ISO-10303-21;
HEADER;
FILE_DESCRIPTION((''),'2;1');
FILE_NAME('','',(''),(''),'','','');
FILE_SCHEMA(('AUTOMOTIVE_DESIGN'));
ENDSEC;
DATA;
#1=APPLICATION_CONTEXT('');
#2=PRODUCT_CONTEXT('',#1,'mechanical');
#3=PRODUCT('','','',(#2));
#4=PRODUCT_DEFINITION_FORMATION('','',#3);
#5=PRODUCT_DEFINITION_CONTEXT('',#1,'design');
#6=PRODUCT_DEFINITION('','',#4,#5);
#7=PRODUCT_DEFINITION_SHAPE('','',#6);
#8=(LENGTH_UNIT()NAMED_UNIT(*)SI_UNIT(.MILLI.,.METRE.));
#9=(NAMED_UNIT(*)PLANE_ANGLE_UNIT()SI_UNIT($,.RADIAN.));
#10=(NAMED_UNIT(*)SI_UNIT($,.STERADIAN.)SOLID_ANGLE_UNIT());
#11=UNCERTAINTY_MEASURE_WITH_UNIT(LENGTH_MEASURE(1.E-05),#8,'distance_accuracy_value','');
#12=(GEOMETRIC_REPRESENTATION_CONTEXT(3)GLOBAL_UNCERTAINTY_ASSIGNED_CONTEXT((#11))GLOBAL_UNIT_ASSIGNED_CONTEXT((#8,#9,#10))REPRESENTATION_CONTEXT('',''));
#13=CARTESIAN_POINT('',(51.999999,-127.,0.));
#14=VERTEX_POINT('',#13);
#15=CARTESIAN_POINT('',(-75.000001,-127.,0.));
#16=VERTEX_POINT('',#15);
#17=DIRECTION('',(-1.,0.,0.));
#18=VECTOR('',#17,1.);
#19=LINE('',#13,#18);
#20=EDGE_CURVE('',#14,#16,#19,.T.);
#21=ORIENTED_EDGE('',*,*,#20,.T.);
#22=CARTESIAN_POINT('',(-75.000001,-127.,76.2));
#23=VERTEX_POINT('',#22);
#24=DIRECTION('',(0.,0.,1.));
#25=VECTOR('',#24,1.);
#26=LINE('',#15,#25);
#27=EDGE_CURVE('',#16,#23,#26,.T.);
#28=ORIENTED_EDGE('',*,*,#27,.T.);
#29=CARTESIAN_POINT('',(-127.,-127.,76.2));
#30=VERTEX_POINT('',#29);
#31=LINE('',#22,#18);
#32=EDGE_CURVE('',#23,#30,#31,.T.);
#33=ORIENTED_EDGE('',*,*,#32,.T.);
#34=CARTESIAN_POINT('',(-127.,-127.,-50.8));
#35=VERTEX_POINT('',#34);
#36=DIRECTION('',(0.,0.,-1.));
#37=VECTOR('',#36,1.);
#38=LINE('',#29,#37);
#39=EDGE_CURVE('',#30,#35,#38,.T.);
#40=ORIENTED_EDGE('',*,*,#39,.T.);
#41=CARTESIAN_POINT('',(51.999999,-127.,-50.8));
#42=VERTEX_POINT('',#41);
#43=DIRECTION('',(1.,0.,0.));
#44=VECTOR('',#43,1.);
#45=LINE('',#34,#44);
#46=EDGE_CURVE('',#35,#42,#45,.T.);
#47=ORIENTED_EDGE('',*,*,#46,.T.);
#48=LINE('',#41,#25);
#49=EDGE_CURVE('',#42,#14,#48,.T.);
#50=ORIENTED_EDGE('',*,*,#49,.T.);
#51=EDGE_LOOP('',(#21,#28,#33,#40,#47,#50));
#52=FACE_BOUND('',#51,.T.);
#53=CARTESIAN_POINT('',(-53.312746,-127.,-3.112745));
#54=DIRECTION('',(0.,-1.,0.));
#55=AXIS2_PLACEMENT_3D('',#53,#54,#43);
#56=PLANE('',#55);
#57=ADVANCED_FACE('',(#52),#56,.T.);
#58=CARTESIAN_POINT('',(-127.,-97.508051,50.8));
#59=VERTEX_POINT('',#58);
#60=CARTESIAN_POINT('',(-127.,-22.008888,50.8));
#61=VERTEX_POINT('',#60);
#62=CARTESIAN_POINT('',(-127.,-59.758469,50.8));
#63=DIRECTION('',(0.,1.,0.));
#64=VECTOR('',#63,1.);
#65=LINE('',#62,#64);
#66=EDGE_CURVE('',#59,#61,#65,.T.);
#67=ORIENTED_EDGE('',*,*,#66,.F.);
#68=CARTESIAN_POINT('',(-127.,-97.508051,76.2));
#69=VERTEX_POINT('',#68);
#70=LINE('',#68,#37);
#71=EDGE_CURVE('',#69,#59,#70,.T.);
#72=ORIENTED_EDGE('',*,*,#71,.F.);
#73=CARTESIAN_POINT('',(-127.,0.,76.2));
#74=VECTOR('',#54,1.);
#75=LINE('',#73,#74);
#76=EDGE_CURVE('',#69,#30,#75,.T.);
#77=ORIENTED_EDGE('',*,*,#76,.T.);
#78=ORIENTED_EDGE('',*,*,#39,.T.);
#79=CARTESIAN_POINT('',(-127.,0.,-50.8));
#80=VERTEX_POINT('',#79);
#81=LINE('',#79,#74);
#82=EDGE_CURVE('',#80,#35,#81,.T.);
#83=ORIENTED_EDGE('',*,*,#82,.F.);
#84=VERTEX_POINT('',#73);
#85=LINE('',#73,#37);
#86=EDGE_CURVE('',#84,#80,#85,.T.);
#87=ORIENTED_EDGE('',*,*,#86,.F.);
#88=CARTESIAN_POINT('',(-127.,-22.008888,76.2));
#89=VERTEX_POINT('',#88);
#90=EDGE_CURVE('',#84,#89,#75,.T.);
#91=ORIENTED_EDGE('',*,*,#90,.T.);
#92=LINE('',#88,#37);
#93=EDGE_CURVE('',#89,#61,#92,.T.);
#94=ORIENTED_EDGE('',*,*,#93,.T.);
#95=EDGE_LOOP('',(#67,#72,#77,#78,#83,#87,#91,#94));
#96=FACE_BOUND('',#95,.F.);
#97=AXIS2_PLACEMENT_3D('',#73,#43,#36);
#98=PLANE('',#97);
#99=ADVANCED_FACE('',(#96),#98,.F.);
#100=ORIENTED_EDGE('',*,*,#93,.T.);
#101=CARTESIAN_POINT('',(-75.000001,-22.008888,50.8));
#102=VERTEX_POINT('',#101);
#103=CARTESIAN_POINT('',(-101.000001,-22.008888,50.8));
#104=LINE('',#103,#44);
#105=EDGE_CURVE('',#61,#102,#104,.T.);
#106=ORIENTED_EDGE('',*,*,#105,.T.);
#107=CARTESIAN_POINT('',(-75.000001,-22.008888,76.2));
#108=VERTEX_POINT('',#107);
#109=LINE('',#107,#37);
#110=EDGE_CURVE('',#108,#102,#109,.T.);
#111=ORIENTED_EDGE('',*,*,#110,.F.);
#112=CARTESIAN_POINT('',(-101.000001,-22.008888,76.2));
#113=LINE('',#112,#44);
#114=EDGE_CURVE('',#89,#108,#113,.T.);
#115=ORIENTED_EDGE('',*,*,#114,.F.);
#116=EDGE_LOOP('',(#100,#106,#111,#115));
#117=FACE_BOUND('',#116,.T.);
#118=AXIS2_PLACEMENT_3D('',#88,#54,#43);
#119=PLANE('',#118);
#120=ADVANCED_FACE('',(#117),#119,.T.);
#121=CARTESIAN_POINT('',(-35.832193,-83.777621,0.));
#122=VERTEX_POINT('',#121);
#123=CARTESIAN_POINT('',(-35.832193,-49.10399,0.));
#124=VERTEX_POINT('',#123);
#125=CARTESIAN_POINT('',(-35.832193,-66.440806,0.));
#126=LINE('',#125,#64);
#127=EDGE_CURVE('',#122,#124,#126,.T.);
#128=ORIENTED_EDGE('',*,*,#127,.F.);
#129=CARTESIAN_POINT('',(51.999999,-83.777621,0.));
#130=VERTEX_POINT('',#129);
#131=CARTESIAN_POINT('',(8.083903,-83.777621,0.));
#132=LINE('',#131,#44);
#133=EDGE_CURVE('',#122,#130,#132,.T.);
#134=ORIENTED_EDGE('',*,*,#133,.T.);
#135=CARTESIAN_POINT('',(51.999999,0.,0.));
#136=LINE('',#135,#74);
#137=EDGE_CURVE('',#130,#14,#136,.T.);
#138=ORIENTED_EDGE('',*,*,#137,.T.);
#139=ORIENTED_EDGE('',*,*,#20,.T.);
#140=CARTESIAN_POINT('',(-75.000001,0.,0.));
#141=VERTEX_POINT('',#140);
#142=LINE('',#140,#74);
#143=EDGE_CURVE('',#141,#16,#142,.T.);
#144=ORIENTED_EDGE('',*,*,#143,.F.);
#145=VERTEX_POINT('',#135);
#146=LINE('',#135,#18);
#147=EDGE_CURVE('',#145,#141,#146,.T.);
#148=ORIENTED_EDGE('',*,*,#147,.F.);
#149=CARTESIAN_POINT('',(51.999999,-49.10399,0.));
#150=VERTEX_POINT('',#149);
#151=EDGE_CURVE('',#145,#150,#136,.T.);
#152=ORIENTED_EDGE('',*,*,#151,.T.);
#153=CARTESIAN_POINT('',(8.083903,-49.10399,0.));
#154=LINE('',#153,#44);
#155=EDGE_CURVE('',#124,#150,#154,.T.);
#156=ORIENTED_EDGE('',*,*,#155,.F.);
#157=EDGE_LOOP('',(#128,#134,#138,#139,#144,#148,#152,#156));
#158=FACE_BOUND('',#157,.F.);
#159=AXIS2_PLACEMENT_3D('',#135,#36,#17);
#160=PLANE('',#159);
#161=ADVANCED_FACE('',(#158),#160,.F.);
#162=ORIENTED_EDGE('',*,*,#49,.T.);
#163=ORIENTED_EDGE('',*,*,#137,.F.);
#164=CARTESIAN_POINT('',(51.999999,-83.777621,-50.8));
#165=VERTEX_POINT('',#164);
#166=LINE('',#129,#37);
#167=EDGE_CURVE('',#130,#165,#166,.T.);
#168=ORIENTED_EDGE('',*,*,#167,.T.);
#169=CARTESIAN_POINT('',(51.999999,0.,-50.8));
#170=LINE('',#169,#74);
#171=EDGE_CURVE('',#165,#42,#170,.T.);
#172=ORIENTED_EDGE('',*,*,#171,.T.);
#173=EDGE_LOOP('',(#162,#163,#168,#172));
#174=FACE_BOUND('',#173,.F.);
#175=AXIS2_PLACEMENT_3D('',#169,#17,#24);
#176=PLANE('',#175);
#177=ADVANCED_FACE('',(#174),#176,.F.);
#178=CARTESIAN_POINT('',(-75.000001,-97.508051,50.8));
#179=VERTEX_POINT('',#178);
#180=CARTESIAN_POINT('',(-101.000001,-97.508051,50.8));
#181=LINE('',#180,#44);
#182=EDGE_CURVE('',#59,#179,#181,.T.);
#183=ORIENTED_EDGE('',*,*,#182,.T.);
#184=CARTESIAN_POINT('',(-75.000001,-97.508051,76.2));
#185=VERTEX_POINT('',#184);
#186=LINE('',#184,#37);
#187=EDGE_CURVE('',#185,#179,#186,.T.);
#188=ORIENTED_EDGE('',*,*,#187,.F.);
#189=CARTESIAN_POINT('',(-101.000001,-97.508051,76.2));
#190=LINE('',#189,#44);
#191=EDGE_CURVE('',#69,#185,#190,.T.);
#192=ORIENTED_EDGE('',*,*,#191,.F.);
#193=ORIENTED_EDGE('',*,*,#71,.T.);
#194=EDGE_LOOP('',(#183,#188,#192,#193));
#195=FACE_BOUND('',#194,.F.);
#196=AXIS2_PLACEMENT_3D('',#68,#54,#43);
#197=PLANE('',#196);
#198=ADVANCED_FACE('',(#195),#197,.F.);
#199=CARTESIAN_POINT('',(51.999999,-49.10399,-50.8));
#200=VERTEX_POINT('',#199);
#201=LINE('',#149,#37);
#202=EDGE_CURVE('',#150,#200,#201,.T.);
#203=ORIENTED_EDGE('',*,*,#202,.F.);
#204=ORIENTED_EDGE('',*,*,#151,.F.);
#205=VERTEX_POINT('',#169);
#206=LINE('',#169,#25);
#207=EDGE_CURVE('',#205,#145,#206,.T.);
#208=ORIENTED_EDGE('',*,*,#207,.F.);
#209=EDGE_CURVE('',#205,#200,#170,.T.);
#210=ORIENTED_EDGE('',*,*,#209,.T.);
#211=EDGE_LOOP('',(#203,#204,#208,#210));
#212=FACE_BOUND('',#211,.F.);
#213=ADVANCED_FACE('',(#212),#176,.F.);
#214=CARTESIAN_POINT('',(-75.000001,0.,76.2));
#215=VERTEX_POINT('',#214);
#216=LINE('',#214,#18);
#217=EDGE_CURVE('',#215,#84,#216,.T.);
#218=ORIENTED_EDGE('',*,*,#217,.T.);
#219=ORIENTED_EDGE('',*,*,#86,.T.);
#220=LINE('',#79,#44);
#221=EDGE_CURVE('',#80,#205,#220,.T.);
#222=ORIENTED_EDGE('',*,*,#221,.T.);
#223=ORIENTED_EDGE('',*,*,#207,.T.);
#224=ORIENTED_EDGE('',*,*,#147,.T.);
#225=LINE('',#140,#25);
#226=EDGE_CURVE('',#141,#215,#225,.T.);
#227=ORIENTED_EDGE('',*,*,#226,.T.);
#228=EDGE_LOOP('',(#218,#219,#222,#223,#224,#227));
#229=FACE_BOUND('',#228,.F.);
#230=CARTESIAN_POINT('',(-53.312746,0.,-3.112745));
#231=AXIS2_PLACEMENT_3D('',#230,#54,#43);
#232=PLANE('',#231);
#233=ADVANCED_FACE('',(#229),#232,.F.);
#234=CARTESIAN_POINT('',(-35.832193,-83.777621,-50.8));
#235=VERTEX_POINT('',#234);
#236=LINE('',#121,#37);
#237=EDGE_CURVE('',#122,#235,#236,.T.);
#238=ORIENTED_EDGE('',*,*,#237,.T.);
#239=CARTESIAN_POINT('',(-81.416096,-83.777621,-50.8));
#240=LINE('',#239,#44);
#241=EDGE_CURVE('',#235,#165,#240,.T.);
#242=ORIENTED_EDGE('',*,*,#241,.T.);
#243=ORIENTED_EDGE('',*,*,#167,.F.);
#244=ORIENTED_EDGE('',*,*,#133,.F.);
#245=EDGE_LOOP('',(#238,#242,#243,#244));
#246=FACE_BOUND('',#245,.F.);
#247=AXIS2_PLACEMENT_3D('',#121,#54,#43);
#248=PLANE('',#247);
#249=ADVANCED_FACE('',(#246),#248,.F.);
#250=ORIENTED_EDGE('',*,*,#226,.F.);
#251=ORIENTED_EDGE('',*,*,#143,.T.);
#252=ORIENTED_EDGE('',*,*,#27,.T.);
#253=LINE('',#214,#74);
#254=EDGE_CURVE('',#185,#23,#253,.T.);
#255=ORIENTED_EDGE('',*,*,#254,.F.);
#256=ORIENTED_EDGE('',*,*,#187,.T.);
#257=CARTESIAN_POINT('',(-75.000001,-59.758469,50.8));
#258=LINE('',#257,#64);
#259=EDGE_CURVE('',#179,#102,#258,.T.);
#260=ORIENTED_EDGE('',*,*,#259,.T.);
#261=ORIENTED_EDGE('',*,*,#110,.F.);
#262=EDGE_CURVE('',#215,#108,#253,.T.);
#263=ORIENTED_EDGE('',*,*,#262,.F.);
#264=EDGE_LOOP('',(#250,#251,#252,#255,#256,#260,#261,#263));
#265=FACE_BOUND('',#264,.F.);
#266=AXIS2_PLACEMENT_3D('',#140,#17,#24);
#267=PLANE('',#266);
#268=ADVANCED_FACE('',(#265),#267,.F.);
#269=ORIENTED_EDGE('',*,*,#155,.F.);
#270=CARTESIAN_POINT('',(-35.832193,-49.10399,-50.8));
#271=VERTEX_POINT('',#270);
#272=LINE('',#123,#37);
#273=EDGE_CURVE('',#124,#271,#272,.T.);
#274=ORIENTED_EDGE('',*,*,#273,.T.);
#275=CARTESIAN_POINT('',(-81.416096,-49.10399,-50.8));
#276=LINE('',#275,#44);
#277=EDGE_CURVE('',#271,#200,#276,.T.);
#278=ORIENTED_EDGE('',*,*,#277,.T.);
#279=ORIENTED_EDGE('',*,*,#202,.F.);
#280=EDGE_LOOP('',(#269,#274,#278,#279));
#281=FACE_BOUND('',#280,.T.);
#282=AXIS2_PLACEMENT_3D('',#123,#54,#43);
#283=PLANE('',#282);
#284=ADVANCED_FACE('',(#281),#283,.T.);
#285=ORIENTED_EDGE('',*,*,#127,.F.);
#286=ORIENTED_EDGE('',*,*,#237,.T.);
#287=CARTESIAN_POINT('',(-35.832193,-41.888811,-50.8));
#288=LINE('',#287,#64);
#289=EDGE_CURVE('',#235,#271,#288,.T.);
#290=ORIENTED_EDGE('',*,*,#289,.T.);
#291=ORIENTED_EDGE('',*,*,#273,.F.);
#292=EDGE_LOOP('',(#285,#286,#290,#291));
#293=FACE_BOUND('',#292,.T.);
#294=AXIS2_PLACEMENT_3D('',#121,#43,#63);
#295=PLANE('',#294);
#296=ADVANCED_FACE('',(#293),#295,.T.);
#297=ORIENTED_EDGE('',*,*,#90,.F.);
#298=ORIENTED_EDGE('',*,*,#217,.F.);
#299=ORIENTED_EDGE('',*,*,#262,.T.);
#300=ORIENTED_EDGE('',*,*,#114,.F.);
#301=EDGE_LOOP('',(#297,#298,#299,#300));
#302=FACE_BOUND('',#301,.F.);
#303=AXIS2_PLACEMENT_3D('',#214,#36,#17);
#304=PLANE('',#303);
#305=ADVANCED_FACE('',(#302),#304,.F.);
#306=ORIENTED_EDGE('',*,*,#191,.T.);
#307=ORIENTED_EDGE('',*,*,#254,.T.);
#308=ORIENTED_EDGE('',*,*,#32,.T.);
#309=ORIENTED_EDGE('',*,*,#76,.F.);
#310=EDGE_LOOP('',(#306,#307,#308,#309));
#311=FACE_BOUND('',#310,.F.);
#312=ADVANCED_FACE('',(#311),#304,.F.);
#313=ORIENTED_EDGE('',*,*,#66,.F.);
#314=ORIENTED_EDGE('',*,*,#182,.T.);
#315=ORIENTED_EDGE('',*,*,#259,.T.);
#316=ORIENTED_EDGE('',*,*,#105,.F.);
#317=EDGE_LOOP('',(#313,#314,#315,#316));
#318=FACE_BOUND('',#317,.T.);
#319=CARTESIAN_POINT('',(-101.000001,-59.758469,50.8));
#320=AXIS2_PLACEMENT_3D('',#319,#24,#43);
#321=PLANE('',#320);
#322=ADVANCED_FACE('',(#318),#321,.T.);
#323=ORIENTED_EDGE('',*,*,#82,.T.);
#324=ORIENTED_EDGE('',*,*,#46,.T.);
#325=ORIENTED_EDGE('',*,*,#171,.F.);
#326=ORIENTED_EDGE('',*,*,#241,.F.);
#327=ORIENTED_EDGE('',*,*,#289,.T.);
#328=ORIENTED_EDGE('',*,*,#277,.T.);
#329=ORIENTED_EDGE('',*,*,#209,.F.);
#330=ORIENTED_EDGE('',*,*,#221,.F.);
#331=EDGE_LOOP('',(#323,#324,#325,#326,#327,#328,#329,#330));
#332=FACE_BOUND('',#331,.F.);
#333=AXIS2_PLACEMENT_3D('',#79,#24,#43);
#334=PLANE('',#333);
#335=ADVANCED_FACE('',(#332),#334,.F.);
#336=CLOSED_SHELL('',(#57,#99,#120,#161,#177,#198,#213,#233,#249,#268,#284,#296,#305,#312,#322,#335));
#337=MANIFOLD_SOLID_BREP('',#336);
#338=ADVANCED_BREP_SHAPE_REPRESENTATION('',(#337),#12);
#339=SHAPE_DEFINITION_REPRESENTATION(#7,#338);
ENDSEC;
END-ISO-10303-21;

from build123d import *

# Parameters (mm, degrees)
F1_DEPTH = 127
F2_W     = 51.9999986213
F2_H     = 75.4991620779
F3_DEPTH = 25.4
F4_W     = 87.8321913701
F4_H     = 34.6736311913
F5_DEPTH = 77.47


with BuildPart() as f1:
    # F0 (on Front) → F1 (new body)
    with BuildSketch(Plane.XZ):
        Polygon((-75.0000013787, 76.2), (-127, 76.2), (-127, -50.8), (51.9999986213, -50.8), (51.9999986213, 0), (-75.0000013787, 0), align=None)
    extrude(amount=F1_DEPTH)

    # F2 (on face) → F3 (cut)
    with BuildSketch(Plane.XY.offset(76.2)):
        with Locations((-101.0000006893, -59.7584694624)):
            Rectangle(F2_W, F2_H)
    extrude(amount=-F3_DEPTH, mode=Mode.SUBTRACT)

    # F4 (on face) → F5 (cut)
    with BuildSketch(Plane.XY):
        with Locations((8.0839029363, -66.4408057928)):
            Rectangle(F4_W, F4_H)
    extrude(amount=-F5_DEPTH, mode=Mode.SUBTRACT)


solid = f1.part
